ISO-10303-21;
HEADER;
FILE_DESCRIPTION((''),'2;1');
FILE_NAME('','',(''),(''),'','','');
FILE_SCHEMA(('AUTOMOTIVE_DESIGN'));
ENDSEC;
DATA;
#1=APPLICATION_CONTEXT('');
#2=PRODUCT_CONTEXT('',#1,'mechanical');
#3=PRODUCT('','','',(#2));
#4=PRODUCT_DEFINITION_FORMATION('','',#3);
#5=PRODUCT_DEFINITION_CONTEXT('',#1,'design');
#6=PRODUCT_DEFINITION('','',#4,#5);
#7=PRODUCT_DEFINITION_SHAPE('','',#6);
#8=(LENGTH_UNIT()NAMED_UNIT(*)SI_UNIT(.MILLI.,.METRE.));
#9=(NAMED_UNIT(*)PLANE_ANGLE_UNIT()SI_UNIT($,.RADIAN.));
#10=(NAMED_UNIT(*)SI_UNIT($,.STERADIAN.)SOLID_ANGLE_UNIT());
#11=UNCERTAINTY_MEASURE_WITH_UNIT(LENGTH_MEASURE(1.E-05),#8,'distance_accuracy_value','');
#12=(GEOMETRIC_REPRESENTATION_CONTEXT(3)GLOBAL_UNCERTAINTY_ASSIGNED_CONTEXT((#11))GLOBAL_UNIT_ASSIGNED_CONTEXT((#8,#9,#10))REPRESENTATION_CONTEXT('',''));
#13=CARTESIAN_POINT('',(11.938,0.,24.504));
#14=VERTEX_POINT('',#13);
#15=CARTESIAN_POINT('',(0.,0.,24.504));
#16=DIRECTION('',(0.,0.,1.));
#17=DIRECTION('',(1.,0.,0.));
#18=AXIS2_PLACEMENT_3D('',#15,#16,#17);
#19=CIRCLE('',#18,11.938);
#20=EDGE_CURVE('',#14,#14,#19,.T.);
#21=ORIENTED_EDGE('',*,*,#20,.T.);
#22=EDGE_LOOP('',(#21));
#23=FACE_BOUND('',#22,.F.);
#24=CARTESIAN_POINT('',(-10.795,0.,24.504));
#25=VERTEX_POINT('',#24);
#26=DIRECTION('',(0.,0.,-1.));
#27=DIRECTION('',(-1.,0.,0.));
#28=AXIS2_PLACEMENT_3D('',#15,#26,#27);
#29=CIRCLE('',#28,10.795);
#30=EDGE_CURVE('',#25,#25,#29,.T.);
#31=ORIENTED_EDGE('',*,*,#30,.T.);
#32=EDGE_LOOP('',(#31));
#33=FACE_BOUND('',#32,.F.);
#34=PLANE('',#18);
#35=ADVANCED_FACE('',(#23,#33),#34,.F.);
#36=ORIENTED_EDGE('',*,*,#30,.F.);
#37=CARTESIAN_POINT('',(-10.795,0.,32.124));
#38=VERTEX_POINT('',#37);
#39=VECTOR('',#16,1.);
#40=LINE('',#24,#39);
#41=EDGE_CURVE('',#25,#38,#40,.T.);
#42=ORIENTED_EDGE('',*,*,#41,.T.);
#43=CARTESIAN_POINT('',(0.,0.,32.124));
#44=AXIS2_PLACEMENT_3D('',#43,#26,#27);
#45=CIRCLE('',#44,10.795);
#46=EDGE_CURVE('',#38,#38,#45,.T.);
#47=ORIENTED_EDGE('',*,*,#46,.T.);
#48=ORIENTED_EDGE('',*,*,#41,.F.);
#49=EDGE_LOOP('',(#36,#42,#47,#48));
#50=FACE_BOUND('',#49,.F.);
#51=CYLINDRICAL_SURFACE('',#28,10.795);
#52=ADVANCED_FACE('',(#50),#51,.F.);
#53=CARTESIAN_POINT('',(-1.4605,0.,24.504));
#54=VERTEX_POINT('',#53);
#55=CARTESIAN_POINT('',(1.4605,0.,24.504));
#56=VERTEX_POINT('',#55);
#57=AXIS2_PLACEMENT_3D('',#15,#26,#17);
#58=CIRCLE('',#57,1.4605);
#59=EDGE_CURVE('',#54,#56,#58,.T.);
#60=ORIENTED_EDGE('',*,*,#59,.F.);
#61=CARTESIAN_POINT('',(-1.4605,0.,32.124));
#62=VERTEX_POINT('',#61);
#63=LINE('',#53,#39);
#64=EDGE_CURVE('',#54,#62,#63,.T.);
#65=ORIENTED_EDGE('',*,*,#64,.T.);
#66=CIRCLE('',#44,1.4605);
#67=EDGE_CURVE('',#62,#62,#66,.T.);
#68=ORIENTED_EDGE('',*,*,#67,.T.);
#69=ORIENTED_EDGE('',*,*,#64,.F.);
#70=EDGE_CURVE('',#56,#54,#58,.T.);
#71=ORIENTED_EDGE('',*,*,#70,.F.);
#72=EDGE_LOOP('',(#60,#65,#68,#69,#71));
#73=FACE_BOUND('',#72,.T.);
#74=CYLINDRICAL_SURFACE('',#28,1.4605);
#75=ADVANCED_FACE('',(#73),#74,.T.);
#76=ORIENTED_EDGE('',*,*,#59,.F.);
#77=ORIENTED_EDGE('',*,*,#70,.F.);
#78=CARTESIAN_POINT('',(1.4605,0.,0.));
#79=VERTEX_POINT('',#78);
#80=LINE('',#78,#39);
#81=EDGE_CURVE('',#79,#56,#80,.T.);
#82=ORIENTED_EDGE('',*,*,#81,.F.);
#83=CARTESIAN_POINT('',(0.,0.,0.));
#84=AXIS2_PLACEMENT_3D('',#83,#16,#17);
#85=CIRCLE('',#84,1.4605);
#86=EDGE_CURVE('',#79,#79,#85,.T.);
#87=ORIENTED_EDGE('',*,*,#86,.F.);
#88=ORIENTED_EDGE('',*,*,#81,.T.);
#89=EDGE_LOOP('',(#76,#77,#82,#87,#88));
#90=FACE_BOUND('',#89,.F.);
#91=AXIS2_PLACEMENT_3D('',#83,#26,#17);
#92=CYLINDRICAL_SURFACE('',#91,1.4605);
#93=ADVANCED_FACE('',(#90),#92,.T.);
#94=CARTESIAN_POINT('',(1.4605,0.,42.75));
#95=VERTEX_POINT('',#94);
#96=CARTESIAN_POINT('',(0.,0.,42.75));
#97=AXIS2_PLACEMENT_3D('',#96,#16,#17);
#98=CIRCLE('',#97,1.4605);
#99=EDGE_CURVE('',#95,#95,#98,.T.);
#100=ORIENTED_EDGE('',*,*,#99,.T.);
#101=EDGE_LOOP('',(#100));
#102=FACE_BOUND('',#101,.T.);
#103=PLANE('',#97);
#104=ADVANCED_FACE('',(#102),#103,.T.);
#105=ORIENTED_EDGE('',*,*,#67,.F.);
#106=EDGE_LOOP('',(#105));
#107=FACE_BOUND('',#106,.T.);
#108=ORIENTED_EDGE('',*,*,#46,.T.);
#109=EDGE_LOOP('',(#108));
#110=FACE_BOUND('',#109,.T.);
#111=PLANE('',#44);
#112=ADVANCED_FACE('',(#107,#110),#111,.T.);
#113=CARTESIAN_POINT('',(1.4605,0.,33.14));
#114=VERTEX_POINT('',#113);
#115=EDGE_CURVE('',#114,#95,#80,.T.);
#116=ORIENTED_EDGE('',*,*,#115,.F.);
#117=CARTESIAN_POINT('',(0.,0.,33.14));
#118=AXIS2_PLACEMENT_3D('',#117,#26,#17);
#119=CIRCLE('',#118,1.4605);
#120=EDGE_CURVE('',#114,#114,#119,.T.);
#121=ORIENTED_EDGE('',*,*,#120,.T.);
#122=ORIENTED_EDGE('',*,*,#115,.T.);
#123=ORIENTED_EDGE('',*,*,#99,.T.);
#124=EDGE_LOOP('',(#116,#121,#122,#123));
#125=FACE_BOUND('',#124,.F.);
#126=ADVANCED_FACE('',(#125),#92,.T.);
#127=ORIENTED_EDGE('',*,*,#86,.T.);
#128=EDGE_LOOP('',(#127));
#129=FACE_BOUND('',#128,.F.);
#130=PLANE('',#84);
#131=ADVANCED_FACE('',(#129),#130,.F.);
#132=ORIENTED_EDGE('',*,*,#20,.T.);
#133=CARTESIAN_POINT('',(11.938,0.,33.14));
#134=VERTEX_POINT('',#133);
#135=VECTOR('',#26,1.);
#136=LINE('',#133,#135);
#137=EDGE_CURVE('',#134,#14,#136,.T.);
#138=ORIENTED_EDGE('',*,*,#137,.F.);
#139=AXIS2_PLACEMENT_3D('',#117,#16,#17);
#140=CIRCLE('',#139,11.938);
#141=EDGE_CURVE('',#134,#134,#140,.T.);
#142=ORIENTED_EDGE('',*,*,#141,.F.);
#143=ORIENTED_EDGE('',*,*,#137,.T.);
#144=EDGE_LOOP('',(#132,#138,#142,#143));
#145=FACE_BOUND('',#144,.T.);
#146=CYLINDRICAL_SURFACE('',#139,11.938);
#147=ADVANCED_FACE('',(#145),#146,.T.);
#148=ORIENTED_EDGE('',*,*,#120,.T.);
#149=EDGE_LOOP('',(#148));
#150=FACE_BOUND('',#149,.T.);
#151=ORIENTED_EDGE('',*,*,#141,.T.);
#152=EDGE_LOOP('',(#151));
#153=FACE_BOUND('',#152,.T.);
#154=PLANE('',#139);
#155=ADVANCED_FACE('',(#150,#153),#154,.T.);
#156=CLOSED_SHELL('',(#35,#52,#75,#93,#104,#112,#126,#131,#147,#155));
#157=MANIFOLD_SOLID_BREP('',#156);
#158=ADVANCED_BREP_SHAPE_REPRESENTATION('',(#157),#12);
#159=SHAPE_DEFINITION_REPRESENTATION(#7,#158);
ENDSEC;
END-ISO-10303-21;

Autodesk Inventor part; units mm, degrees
ref_plane "YZ Plane" through (0, 0, 0) normal (1, 0, 0) x (0, 1, 0)
ref_plane "XZ Plane" through (0, 0, 0) normal (0, 1, 0) x (-1, 0, 0)
sketch "Sketch1" plane through (0, 0, 0) normal (0, 0, 1) x (1, 0, 0)
  circle A0 centre (0, 0) radius 1.4605
  dimension "d0" = 2.921
extrude "Extrusion1" add sketch "Sketch1" along normal blind 42.75
ref_plane "Work Plane1" through (0, 0, 33.14) normal (0, 0, 1) x (1, 0, 0)
sketch "Sketch2" plane through (0, 0, 33.14) normal (0, 0, 1) x (1, 0, 0)
  circle A0 centre (0, 0) radius 11.938
  dimension "d5" = 23.876
extrude "Extrusion2" add sketch "Sketch2" against normal blind 8.636
sketch "Sketch3" plane through (0, 0, 24.504) normal (0, 0, -1) x (-1, 0, 0)
  circle A0 centre (0, 0) radius 1.4605 projected
  circle A1 centre (0, 0) radius 10.795
  dimension "d9" = 21.59
extrude "Extrusion3" cut sketch "Sketch3" against normal blind 7.62
properties part number "can"
